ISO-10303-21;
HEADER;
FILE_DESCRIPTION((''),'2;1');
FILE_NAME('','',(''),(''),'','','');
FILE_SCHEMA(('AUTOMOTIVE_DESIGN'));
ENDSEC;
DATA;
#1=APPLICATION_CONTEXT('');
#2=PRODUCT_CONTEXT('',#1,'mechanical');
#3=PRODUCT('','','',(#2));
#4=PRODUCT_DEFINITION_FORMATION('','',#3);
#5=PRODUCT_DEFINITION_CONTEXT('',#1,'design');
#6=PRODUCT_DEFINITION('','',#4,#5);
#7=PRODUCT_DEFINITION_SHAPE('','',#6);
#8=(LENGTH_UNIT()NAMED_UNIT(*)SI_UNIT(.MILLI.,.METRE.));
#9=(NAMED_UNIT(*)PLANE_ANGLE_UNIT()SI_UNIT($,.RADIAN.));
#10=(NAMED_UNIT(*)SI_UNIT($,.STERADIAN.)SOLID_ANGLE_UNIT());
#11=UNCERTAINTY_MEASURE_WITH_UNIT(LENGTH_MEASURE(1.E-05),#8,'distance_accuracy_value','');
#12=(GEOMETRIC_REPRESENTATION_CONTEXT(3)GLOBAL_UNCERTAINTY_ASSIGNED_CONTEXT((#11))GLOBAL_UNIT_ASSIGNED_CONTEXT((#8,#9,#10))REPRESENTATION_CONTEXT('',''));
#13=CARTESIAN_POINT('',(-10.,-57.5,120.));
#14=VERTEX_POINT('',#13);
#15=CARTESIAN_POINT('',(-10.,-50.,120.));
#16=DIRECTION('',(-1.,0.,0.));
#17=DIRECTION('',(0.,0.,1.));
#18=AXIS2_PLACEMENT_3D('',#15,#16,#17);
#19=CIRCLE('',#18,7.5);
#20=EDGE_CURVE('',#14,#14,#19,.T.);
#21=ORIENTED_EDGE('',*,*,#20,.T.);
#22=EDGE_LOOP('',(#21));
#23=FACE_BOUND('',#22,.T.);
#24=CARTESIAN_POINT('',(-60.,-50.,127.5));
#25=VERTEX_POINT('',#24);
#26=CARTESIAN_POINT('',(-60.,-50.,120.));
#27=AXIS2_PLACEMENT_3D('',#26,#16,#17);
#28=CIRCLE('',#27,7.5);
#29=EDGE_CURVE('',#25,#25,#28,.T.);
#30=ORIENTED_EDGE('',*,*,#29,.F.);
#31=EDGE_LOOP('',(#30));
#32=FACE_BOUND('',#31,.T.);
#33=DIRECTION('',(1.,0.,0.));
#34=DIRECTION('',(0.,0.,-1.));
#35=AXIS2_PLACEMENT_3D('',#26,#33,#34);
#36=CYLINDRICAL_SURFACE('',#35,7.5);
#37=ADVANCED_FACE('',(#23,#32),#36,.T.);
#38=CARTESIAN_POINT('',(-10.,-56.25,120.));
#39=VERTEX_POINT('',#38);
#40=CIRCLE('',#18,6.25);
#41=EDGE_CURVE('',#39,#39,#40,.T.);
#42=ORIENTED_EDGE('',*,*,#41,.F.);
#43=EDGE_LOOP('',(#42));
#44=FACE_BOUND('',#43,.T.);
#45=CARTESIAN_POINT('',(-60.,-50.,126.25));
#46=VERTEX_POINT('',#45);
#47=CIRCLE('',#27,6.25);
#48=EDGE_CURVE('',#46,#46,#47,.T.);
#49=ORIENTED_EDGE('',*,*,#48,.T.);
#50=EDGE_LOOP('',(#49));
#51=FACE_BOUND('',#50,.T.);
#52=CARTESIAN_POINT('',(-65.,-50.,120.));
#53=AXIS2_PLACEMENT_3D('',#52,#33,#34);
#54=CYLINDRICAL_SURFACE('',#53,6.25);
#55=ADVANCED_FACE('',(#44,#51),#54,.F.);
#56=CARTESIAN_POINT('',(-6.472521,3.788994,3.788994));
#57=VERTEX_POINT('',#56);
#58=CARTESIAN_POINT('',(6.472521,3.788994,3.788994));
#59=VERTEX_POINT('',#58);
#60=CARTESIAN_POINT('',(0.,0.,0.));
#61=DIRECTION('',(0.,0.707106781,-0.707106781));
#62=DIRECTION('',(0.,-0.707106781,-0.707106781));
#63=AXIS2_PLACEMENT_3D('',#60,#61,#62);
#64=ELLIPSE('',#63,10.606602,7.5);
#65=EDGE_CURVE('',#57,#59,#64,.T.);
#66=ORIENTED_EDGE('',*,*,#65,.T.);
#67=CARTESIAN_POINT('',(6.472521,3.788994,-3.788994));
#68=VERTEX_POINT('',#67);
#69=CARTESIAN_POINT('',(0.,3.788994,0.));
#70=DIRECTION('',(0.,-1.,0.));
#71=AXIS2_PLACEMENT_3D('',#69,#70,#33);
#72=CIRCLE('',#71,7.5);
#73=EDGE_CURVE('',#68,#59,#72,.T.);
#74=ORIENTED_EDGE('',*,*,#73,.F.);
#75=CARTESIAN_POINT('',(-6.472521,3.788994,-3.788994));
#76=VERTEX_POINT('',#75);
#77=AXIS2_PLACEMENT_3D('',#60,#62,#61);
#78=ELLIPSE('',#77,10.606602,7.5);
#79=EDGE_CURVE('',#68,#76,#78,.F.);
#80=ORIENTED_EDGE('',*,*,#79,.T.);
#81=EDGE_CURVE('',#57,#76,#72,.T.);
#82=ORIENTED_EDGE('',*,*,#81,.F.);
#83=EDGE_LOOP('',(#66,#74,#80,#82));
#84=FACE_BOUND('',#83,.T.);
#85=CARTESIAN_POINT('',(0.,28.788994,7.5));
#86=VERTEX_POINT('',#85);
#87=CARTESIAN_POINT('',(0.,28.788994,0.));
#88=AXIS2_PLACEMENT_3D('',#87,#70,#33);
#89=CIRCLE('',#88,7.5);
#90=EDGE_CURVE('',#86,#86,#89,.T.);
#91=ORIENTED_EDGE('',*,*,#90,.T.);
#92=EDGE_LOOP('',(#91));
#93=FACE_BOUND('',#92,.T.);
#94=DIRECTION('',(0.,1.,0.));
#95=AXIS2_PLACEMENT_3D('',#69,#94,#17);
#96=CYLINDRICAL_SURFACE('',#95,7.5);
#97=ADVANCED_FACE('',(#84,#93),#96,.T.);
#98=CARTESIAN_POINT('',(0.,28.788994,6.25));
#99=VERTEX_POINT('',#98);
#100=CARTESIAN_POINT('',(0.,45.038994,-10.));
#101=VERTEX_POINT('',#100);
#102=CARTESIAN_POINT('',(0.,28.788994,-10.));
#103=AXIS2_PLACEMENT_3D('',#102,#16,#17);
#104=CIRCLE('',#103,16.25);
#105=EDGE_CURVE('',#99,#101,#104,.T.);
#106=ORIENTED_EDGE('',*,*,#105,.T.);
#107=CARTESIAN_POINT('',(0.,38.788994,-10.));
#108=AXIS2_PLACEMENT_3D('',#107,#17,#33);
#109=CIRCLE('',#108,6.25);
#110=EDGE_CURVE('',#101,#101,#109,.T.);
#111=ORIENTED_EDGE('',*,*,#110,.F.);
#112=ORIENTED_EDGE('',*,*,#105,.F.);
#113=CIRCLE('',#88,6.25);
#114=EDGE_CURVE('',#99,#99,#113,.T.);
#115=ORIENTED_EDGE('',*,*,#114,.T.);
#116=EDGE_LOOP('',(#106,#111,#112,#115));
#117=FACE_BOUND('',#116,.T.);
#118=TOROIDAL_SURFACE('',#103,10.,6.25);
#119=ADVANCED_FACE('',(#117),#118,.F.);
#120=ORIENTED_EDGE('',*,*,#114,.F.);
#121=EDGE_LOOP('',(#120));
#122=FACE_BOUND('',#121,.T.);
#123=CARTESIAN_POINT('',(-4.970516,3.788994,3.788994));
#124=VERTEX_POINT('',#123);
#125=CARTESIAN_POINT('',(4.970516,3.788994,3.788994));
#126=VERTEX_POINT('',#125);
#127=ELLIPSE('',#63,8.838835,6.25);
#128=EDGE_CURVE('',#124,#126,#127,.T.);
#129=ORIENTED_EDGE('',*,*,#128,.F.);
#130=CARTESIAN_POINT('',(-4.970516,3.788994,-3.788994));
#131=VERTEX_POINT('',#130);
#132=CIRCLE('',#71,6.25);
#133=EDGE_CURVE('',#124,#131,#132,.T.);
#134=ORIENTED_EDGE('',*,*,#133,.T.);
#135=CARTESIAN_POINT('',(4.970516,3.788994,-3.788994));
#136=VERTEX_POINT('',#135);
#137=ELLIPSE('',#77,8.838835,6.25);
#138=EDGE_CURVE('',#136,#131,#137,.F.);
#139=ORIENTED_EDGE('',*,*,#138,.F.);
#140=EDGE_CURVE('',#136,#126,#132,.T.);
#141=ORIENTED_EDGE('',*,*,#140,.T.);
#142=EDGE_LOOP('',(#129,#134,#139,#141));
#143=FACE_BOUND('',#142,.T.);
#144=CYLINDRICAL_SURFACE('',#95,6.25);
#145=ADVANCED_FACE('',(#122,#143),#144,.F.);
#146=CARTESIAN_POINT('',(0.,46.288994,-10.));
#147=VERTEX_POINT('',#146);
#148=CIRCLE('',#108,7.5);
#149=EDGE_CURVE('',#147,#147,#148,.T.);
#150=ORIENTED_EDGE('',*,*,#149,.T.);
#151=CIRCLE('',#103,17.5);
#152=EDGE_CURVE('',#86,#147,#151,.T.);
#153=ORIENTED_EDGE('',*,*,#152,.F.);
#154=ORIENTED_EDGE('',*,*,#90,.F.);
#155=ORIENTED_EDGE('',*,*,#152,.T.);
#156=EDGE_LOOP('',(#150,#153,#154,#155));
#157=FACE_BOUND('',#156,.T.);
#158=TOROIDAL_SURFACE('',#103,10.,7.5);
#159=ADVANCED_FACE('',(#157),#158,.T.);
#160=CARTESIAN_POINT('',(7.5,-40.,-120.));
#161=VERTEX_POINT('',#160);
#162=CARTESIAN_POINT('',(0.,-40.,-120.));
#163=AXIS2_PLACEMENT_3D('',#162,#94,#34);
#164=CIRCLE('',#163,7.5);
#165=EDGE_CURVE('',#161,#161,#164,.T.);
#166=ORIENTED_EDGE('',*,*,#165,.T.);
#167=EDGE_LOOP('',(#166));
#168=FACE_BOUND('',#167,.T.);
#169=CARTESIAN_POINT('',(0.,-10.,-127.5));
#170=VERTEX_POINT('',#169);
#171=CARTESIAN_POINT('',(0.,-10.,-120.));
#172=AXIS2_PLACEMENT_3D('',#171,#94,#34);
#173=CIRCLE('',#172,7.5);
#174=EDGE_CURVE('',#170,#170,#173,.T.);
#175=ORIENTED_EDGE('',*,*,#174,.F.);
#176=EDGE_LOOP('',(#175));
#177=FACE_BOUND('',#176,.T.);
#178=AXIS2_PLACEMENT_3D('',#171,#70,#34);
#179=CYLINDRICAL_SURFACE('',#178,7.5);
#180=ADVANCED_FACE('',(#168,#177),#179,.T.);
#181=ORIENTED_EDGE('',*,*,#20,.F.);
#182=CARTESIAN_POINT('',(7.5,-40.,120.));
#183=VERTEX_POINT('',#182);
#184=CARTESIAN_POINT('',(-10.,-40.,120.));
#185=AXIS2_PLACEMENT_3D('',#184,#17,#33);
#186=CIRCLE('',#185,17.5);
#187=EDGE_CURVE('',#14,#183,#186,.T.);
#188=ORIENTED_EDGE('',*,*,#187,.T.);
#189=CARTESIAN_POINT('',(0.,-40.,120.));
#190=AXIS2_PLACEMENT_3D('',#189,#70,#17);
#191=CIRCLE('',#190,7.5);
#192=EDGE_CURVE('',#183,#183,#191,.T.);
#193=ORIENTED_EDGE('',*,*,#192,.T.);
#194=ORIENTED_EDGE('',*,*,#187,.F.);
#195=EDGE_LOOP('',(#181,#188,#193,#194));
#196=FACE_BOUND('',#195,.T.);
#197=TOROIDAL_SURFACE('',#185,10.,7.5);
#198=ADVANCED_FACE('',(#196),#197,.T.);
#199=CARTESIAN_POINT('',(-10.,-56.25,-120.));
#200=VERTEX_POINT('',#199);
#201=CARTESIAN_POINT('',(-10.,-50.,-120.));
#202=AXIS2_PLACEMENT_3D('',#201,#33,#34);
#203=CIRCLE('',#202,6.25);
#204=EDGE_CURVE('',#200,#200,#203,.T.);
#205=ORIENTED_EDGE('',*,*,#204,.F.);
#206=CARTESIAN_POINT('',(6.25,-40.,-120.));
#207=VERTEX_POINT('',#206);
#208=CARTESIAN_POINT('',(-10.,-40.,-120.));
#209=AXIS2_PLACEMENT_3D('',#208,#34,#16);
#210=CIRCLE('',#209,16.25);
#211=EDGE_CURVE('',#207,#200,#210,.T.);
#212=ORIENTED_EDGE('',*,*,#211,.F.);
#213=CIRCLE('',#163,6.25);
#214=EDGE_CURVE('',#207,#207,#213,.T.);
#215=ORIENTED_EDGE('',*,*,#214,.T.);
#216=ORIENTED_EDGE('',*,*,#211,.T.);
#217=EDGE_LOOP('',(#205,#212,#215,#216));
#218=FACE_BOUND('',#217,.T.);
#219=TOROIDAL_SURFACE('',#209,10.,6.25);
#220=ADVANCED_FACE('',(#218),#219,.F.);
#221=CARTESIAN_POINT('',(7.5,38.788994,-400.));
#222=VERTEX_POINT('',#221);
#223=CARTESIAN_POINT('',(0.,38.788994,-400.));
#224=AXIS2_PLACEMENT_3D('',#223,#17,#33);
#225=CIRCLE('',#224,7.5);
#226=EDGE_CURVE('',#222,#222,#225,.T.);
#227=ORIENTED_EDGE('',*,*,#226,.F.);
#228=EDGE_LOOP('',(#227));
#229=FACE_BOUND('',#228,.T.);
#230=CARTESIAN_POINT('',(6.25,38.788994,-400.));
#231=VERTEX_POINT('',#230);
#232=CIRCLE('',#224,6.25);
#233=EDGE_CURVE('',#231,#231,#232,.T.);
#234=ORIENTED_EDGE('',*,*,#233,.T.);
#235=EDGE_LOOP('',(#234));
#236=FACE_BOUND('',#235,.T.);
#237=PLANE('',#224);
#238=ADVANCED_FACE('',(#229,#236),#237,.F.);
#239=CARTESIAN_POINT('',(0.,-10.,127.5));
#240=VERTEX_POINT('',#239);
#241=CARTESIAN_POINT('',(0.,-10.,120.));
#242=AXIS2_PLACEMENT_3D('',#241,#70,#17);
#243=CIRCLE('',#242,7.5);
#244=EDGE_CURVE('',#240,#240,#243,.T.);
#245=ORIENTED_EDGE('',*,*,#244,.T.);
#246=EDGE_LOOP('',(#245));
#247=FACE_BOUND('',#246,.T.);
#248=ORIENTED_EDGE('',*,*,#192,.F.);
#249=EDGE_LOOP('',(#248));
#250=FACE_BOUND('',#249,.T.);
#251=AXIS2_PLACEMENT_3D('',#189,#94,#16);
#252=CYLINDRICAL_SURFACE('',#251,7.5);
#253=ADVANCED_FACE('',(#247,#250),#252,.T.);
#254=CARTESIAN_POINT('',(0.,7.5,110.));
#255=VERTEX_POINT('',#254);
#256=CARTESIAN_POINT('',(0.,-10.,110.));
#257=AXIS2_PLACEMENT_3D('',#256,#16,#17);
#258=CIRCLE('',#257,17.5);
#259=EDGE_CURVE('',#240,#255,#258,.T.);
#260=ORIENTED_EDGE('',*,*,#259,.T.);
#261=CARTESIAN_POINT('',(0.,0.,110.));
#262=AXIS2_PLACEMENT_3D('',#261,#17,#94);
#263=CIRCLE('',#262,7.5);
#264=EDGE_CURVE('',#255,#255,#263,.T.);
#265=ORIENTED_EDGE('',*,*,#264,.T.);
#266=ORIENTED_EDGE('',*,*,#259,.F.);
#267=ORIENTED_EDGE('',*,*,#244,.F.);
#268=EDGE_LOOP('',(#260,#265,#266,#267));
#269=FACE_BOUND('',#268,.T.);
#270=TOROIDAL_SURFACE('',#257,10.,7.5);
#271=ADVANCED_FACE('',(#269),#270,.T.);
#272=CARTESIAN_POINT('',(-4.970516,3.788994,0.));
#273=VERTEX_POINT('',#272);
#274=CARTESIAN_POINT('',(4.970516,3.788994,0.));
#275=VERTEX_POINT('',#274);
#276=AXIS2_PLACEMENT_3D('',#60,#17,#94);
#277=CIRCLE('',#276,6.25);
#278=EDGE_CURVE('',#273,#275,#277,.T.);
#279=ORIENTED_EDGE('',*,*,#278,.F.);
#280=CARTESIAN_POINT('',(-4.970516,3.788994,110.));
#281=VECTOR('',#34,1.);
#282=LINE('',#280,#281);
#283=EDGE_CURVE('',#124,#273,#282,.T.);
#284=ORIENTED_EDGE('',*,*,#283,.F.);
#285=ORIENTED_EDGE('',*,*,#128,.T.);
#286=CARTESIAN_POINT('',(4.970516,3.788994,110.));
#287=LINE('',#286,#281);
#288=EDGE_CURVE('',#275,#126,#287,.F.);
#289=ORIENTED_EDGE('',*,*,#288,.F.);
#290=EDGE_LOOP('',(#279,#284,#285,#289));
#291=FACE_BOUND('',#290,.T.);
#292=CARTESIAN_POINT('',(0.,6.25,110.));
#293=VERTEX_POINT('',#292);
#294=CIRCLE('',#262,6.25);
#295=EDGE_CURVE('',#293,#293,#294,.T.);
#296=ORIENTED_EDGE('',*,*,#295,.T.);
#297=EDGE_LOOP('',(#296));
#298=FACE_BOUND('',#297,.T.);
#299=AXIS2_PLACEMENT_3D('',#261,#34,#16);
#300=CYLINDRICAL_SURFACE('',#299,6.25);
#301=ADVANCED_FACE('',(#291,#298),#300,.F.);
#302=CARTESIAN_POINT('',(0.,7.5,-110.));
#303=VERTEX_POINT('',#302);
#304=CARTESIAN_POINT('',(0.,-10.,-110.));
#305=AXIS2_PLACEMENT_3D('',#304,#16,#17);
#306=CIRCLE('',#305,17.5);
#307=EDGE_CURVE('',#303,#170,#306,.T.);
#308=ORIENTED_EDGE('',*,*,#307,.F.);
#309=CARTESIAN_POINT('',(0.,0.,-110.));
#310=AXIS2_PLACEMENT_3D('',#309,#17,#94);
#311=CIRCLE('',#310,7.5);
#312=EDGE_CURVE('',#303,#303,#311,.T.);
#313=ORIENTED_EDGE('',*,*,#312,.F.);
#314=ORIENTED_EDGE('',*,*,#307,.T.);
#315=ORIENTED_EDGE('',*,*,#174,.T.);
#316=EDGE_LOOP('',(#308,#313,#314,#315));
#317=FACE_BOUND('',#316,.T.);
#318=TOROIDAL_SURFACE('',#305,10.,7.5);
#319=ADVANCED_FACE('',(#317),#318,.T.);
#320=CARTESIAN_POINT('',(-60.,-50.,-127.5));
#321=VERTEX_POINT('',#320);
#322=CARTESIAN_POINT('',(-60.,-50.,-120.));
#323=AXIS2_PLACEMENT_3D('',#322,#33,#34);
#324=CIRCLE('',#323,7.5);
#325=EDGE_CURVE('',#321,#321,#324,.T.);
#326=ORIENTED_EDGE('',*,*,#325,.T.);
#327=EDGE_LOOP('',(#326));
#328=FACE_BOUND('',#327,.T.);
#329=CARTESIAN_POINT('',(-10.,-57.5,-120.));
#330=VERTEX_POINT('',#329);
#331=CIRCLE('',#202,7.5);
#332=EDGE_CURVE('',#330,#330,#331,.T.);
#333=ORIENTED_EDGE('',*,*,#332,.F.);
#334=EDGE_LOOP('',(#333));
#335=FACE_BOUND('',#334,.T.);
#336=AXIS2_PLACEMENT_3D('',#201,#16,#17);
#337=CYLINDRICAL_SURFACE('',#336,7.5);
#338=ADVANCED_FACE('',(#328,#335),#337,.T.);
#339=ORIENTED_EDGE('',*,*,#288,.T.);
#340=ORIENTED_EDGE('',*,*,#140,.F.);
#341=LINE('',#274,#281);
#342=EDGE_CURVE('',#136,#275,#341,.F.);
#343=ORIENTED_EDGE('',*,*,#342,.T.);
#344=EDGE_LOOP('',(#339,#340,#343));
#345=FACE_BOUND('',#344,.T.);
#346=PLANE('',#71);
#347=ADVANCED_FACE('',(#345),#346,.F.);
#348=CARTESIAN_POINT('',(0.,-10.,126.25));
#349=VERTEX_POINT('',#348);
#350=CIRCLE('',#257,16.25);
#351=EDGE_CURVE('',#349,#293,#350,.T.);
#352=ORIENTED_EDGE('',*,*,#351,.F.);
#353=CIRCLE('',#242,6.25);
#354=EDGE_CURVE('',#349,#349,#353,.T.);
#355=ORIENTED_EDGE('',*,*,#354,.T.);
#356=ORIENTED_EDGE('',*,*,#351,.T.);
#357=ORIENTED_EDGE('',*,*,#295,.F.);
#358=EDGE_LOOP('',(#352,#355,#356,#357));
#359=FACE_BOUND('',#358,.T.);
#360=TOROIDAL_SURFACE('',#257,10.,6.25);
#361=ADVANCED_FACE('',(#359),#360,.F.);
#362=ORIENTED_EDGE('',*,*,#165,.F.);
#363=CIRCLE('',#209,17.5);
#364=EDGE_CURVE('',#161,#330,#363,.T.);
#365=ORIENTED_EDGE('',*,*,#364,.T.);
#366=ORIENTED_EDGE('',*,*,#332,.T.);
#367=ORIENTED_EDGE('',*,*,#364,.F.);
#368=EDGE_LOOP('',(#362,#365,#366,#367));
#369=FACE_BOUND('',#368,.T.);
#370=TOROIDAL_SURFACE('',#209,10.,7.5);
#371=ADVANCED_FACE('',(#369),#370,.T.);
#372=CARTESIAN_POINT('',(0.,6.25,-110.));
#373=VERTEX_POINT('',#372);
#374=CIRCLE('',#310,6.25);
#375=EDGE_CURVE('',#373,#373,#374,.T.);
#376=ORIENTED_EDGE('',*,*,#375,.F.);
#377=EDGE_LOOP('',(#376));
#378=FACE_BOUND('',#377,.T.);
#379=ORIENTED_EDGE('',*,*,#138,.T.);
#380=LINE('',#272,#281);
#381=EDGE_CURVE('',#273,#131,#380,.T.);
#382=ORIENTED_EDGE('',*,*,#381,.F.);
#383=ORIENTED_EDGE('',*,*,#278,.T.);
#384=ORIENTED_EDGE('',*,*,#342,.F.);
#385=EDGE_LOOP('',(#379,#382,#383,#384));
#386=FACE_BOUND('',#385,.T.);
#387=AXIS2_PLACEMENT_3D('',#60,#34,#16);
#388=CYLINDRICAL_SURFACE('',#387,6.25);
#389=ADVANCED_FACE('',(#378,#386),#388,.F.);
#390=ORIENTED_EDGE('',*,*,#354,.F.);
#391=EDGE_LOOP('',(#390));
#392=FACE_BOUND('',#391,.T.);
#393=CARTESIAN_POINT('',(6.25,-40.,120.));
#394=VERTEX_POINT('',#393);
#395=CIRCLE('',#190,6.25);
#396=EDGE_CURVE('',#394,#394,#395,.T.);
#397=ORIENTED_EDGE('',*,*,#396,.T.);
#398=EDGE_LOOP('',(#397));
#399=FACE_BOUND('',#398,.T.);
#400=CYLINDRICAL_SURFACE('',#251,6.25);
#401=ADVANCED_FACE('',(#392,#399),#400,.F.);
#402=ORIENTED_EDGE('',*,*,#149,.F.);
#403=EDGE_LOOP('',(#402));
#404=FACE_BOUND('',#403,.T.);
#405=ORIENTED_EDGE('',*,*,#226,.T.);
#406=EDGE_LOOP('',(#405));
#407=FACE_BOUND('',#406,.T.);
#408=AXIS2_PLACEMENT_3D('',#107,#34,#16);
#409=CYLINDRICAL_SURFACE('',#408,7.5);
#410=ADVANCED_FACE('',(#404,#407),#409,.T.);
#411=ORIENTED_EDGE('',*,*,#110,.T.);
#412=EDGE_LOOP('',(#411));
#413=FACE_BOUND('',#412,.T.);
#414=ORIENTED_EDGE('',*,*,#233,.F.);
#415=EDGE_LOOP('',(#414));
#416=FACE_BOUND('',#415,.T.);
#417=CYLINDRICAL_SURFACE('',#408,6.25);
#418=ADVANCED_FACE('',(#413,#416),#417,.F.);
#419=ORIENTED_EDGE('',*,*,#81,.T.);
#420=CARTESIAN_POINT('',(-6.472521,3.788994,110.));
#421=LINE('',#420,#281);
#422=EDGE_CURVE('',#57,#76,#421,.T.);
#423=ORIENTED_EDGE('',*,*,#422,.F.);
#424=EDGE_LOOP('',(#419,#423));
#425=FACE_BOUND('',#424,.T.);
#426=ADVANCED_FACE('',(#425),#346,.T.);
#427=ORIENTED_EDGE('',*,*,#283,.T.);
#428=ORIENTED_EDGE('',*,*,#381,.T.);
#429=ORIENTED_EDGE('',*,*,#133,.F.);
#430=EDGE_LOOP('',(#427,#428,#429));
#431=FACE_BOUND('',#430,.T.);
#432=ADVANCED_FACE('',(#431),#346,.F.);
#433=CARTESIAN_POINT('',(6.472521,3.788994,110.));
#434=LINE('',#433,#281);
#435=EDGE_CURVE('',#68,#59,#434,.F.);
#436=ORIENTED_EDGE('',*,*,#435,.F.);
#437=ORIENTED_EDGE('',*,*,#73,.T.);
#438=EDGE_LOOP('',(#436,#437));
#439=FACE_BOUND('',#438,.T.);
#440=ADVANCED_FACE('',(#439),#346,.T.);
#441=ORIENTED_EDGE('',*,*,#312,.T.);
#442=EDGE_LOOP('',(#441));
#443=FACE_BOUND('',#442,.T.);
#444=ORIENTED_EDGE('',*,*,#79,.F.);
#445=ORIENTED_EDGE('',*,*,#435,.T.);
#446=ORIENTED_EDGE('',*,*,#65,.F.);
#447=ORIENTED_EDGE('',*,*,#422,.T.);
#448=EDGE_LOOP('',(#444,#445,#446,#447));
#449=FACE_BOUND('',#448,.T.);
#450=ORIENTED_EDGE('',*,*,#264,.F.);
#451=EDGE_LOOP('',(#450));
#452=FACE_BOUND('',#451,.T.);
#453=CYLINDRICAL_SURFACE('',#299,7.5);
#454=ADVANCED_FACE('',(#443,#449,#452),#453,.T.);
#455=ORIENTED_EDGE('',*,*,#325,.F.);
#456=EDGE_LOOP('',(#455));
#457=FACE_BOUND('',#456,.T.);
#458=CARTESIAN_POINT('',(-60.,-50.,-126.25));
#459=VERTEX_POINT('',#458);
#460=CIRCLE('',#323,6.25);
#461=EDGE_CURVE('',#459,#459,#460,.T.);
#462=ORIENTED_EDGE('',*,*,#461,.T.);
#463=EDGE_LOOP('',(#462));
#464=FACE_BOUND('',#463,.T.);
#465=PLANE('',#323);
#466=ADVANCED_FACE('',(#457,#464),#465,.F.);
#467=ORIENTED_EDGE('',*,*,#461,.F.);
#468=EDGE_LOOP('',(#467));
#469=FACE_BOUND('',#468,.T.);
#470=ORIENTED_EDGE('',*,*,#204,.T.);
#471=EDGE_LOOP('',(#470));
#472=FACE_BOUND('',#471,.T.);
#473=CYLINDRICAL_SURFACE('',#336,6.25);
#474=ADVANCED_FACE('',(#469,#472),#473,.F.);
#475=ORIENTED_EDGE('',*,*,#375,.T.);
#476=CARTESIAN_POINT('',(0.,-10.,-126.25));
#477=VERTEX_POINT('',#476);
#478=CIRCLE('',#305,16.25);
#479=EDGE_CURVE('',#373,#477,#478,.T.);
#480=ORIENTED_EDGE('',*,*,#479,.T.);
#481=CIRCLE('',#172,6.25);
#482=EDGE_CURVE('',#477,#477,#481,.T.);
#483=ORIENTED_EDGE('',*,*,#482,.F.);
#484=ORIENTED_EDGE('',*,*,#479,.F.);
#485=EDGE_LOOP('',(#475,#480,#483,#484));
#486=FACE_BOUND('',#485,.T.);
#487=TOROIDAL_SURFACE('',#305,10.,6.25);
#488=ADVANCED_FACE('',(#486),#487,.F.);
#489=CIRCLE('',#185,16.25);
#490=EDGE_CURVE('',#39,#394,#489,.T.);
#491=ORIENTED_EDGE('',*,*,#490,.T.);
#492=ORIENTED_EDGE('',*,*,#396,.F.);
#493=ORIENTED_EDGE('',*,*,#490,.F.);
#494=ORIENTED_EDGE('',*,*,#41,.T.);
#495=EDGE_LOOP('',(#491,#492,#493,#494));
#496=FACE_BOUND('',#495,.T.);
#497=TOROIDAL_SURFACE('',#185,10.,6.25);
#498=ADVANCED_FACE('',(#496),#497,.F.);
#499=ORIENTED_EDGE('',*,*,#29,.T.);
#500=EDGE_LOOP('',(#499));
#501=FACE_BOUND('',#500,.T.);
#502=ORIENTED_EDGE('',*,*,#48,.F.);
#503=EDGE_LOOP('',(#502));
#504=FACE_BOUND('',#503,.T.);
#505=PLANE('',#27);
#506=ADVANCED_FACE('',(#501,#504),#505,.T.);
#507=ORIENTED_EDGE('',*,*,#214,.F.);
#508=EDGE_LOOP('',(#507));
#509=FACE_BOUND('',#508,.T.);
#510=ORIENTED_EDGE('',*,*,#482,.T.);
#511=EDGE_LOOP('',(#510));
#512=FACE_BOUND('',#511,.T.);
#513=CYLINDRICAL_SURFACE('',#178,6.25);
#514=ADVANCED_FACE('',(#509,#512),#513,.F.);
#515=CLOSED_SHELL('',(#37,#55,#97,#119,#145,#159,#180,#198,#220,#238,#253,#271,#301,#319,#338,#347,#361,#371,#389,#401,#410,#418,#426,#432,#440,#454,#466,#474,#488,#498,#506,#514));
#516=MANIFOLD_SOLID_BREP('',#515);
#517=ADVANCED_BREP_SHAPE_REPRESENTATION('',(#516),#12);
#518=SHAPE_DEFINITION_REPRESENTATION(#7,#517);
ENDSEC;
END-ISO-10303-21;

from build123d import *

# Parameters (mm, degrees)
SWEEP1_PROFILE_R     = 7.5
SWEEP2_PROFILE_R     = 7.5
CUT_SWEEP1_PROFILE_R = 6.25
CUT_SWEEP2_PROFILE_R = 6.25


with BuildPart() as part:
    # Sweep1: sweep along a curve in space
    with BuildLine() as sweep1_path:
        Line((-10, -50, 120), (-60, -50, 120))
        ThreePointArc((-10, -50, 120), (-2.928932188, -47.071067812, 120), (0, -40, 120))
        Line((0, -10, 120), (0, -40, 120))
        ThreePointArc((0, -10, 120), (0, -2.928932188, 117.071067812), (0, 0, 110))
        Line((0, 0, 0), (0, 0, 110))
        Line((0, 0, 0), (0, 0, -110))
        ThreePointArc((0, -10, -120), (0, -2.928932188, -117.071067812), (0, 0, -110))
        Line((0, -10, -120), (0, -40, -120))
        ThreePointArc((0, -40, -120), (-2.928932188, -47.071067812, -120), (-10, -50, -120))
        Line((-10, -50, -120), (-60, -50, -120))
    # Sweep1 profile (on start of the path) → Sweep1 (sweep)
    with BuildSketch(Plane(origin=(-60, -50, -120), x_dir=(0, 0, 1), z_dir=(1, 0, 0))):
        Circle(SWEEP1_PROFILE_R)
    sweep(path=sweep1_path.line)

    # Sweep2: sweep along a path in Sketch30
    with BuildLine(Plane(origin=(0, 0, 0), x_dir=(0, 0, -1), z_dir=(1, 0, 0))) as sweep2_path:
        Line((0, 3.788993713), (0, 28.788993713))
        ThreePointArc((0, 28.788993713), (2.928932188, 35.860061525), (10, 38.788993713))
        Line((10, 38.788993713), (400, 38.788993713))
    # Sweep2 profile (on start of the path) → Sweep2 (sweep)
    with BuildSketch(Plane.ZX.offset(3.788993713)):
        Circle(SWEEP2_PROFILE_R)
    sweep(path=sweep2_path.line)

    # Cut-Sweep1: sweep along a curve in space
    with BuildLine() as cut_sweep1_path:
        Line((-10, -50, 120), (-60, -50, 120))
        ThreePointArc((-10, -50, 120), (-2.928932188, -47.071067812, 120), (0, -40, 120))
        Line((0, -10, 120), (0, -40, 120))
        ThreePointArc((0, -10, 120), (0, -2.928932188, 117.071067812), (0, 0, 110))
        Line((0, 0, 0), (0, 0, 110))
        Line((0, 0, 0), (0, 0, -110))
        ThreePointArc((0, -10, -120), (0, -2.928932188, -117.071067812), (0, 0, -110))
        Line((0, -10, -120), (0, -40, -120))
        ThreePointArc((0, -40, -120), (-2.928932188, -47.071067812, -120), (-10, -50, -120))
        Line((-10, -50, -120), (-60, -50, -120))
    # Cut-Sweep1 profile (on start of the path) → Cut-Sweep1 (sweep, cut)
    with BuildSketch(Plane(origin=(-60, -50, -120), x_dir=(0, 0, 1), z_dir=(1, 0, 0))):
        Circle(CUT_SWEEP1_PROFILE_R)
    sweep(path=cut_sweep1_path.line, mode=Mode.SUBTRACT)

    # Cut-Sweep2: sweep along a path in Sketch30<2>
    with BuildLine(Plane(origin=(0, 0, 0), x_dir=(0, 0, -1), z_dir=(1, 0, 0))) as cut_sweep2_path:
        Line((0, 3.788993713), (0, 28.788993713))
        ThreePointArc((0, 28.788993713), (2.928932188, 35.860061525), (10, 38.788993713))
        Line((10, 38.788993713), (400, 38.788993713))
    # Cut-Sweep2 profile (on start of the path) → Cut-Sweep2 (sweep, cut)
    with BuildSketch(Plane.ZX.offset(3.788993713)):
        Circle(CUT_SWEEP2_PROFILE_R)
    sweep(path=cut_sweep2_path.line, mode=Mode.SUBTRACT)


solid = part.part
